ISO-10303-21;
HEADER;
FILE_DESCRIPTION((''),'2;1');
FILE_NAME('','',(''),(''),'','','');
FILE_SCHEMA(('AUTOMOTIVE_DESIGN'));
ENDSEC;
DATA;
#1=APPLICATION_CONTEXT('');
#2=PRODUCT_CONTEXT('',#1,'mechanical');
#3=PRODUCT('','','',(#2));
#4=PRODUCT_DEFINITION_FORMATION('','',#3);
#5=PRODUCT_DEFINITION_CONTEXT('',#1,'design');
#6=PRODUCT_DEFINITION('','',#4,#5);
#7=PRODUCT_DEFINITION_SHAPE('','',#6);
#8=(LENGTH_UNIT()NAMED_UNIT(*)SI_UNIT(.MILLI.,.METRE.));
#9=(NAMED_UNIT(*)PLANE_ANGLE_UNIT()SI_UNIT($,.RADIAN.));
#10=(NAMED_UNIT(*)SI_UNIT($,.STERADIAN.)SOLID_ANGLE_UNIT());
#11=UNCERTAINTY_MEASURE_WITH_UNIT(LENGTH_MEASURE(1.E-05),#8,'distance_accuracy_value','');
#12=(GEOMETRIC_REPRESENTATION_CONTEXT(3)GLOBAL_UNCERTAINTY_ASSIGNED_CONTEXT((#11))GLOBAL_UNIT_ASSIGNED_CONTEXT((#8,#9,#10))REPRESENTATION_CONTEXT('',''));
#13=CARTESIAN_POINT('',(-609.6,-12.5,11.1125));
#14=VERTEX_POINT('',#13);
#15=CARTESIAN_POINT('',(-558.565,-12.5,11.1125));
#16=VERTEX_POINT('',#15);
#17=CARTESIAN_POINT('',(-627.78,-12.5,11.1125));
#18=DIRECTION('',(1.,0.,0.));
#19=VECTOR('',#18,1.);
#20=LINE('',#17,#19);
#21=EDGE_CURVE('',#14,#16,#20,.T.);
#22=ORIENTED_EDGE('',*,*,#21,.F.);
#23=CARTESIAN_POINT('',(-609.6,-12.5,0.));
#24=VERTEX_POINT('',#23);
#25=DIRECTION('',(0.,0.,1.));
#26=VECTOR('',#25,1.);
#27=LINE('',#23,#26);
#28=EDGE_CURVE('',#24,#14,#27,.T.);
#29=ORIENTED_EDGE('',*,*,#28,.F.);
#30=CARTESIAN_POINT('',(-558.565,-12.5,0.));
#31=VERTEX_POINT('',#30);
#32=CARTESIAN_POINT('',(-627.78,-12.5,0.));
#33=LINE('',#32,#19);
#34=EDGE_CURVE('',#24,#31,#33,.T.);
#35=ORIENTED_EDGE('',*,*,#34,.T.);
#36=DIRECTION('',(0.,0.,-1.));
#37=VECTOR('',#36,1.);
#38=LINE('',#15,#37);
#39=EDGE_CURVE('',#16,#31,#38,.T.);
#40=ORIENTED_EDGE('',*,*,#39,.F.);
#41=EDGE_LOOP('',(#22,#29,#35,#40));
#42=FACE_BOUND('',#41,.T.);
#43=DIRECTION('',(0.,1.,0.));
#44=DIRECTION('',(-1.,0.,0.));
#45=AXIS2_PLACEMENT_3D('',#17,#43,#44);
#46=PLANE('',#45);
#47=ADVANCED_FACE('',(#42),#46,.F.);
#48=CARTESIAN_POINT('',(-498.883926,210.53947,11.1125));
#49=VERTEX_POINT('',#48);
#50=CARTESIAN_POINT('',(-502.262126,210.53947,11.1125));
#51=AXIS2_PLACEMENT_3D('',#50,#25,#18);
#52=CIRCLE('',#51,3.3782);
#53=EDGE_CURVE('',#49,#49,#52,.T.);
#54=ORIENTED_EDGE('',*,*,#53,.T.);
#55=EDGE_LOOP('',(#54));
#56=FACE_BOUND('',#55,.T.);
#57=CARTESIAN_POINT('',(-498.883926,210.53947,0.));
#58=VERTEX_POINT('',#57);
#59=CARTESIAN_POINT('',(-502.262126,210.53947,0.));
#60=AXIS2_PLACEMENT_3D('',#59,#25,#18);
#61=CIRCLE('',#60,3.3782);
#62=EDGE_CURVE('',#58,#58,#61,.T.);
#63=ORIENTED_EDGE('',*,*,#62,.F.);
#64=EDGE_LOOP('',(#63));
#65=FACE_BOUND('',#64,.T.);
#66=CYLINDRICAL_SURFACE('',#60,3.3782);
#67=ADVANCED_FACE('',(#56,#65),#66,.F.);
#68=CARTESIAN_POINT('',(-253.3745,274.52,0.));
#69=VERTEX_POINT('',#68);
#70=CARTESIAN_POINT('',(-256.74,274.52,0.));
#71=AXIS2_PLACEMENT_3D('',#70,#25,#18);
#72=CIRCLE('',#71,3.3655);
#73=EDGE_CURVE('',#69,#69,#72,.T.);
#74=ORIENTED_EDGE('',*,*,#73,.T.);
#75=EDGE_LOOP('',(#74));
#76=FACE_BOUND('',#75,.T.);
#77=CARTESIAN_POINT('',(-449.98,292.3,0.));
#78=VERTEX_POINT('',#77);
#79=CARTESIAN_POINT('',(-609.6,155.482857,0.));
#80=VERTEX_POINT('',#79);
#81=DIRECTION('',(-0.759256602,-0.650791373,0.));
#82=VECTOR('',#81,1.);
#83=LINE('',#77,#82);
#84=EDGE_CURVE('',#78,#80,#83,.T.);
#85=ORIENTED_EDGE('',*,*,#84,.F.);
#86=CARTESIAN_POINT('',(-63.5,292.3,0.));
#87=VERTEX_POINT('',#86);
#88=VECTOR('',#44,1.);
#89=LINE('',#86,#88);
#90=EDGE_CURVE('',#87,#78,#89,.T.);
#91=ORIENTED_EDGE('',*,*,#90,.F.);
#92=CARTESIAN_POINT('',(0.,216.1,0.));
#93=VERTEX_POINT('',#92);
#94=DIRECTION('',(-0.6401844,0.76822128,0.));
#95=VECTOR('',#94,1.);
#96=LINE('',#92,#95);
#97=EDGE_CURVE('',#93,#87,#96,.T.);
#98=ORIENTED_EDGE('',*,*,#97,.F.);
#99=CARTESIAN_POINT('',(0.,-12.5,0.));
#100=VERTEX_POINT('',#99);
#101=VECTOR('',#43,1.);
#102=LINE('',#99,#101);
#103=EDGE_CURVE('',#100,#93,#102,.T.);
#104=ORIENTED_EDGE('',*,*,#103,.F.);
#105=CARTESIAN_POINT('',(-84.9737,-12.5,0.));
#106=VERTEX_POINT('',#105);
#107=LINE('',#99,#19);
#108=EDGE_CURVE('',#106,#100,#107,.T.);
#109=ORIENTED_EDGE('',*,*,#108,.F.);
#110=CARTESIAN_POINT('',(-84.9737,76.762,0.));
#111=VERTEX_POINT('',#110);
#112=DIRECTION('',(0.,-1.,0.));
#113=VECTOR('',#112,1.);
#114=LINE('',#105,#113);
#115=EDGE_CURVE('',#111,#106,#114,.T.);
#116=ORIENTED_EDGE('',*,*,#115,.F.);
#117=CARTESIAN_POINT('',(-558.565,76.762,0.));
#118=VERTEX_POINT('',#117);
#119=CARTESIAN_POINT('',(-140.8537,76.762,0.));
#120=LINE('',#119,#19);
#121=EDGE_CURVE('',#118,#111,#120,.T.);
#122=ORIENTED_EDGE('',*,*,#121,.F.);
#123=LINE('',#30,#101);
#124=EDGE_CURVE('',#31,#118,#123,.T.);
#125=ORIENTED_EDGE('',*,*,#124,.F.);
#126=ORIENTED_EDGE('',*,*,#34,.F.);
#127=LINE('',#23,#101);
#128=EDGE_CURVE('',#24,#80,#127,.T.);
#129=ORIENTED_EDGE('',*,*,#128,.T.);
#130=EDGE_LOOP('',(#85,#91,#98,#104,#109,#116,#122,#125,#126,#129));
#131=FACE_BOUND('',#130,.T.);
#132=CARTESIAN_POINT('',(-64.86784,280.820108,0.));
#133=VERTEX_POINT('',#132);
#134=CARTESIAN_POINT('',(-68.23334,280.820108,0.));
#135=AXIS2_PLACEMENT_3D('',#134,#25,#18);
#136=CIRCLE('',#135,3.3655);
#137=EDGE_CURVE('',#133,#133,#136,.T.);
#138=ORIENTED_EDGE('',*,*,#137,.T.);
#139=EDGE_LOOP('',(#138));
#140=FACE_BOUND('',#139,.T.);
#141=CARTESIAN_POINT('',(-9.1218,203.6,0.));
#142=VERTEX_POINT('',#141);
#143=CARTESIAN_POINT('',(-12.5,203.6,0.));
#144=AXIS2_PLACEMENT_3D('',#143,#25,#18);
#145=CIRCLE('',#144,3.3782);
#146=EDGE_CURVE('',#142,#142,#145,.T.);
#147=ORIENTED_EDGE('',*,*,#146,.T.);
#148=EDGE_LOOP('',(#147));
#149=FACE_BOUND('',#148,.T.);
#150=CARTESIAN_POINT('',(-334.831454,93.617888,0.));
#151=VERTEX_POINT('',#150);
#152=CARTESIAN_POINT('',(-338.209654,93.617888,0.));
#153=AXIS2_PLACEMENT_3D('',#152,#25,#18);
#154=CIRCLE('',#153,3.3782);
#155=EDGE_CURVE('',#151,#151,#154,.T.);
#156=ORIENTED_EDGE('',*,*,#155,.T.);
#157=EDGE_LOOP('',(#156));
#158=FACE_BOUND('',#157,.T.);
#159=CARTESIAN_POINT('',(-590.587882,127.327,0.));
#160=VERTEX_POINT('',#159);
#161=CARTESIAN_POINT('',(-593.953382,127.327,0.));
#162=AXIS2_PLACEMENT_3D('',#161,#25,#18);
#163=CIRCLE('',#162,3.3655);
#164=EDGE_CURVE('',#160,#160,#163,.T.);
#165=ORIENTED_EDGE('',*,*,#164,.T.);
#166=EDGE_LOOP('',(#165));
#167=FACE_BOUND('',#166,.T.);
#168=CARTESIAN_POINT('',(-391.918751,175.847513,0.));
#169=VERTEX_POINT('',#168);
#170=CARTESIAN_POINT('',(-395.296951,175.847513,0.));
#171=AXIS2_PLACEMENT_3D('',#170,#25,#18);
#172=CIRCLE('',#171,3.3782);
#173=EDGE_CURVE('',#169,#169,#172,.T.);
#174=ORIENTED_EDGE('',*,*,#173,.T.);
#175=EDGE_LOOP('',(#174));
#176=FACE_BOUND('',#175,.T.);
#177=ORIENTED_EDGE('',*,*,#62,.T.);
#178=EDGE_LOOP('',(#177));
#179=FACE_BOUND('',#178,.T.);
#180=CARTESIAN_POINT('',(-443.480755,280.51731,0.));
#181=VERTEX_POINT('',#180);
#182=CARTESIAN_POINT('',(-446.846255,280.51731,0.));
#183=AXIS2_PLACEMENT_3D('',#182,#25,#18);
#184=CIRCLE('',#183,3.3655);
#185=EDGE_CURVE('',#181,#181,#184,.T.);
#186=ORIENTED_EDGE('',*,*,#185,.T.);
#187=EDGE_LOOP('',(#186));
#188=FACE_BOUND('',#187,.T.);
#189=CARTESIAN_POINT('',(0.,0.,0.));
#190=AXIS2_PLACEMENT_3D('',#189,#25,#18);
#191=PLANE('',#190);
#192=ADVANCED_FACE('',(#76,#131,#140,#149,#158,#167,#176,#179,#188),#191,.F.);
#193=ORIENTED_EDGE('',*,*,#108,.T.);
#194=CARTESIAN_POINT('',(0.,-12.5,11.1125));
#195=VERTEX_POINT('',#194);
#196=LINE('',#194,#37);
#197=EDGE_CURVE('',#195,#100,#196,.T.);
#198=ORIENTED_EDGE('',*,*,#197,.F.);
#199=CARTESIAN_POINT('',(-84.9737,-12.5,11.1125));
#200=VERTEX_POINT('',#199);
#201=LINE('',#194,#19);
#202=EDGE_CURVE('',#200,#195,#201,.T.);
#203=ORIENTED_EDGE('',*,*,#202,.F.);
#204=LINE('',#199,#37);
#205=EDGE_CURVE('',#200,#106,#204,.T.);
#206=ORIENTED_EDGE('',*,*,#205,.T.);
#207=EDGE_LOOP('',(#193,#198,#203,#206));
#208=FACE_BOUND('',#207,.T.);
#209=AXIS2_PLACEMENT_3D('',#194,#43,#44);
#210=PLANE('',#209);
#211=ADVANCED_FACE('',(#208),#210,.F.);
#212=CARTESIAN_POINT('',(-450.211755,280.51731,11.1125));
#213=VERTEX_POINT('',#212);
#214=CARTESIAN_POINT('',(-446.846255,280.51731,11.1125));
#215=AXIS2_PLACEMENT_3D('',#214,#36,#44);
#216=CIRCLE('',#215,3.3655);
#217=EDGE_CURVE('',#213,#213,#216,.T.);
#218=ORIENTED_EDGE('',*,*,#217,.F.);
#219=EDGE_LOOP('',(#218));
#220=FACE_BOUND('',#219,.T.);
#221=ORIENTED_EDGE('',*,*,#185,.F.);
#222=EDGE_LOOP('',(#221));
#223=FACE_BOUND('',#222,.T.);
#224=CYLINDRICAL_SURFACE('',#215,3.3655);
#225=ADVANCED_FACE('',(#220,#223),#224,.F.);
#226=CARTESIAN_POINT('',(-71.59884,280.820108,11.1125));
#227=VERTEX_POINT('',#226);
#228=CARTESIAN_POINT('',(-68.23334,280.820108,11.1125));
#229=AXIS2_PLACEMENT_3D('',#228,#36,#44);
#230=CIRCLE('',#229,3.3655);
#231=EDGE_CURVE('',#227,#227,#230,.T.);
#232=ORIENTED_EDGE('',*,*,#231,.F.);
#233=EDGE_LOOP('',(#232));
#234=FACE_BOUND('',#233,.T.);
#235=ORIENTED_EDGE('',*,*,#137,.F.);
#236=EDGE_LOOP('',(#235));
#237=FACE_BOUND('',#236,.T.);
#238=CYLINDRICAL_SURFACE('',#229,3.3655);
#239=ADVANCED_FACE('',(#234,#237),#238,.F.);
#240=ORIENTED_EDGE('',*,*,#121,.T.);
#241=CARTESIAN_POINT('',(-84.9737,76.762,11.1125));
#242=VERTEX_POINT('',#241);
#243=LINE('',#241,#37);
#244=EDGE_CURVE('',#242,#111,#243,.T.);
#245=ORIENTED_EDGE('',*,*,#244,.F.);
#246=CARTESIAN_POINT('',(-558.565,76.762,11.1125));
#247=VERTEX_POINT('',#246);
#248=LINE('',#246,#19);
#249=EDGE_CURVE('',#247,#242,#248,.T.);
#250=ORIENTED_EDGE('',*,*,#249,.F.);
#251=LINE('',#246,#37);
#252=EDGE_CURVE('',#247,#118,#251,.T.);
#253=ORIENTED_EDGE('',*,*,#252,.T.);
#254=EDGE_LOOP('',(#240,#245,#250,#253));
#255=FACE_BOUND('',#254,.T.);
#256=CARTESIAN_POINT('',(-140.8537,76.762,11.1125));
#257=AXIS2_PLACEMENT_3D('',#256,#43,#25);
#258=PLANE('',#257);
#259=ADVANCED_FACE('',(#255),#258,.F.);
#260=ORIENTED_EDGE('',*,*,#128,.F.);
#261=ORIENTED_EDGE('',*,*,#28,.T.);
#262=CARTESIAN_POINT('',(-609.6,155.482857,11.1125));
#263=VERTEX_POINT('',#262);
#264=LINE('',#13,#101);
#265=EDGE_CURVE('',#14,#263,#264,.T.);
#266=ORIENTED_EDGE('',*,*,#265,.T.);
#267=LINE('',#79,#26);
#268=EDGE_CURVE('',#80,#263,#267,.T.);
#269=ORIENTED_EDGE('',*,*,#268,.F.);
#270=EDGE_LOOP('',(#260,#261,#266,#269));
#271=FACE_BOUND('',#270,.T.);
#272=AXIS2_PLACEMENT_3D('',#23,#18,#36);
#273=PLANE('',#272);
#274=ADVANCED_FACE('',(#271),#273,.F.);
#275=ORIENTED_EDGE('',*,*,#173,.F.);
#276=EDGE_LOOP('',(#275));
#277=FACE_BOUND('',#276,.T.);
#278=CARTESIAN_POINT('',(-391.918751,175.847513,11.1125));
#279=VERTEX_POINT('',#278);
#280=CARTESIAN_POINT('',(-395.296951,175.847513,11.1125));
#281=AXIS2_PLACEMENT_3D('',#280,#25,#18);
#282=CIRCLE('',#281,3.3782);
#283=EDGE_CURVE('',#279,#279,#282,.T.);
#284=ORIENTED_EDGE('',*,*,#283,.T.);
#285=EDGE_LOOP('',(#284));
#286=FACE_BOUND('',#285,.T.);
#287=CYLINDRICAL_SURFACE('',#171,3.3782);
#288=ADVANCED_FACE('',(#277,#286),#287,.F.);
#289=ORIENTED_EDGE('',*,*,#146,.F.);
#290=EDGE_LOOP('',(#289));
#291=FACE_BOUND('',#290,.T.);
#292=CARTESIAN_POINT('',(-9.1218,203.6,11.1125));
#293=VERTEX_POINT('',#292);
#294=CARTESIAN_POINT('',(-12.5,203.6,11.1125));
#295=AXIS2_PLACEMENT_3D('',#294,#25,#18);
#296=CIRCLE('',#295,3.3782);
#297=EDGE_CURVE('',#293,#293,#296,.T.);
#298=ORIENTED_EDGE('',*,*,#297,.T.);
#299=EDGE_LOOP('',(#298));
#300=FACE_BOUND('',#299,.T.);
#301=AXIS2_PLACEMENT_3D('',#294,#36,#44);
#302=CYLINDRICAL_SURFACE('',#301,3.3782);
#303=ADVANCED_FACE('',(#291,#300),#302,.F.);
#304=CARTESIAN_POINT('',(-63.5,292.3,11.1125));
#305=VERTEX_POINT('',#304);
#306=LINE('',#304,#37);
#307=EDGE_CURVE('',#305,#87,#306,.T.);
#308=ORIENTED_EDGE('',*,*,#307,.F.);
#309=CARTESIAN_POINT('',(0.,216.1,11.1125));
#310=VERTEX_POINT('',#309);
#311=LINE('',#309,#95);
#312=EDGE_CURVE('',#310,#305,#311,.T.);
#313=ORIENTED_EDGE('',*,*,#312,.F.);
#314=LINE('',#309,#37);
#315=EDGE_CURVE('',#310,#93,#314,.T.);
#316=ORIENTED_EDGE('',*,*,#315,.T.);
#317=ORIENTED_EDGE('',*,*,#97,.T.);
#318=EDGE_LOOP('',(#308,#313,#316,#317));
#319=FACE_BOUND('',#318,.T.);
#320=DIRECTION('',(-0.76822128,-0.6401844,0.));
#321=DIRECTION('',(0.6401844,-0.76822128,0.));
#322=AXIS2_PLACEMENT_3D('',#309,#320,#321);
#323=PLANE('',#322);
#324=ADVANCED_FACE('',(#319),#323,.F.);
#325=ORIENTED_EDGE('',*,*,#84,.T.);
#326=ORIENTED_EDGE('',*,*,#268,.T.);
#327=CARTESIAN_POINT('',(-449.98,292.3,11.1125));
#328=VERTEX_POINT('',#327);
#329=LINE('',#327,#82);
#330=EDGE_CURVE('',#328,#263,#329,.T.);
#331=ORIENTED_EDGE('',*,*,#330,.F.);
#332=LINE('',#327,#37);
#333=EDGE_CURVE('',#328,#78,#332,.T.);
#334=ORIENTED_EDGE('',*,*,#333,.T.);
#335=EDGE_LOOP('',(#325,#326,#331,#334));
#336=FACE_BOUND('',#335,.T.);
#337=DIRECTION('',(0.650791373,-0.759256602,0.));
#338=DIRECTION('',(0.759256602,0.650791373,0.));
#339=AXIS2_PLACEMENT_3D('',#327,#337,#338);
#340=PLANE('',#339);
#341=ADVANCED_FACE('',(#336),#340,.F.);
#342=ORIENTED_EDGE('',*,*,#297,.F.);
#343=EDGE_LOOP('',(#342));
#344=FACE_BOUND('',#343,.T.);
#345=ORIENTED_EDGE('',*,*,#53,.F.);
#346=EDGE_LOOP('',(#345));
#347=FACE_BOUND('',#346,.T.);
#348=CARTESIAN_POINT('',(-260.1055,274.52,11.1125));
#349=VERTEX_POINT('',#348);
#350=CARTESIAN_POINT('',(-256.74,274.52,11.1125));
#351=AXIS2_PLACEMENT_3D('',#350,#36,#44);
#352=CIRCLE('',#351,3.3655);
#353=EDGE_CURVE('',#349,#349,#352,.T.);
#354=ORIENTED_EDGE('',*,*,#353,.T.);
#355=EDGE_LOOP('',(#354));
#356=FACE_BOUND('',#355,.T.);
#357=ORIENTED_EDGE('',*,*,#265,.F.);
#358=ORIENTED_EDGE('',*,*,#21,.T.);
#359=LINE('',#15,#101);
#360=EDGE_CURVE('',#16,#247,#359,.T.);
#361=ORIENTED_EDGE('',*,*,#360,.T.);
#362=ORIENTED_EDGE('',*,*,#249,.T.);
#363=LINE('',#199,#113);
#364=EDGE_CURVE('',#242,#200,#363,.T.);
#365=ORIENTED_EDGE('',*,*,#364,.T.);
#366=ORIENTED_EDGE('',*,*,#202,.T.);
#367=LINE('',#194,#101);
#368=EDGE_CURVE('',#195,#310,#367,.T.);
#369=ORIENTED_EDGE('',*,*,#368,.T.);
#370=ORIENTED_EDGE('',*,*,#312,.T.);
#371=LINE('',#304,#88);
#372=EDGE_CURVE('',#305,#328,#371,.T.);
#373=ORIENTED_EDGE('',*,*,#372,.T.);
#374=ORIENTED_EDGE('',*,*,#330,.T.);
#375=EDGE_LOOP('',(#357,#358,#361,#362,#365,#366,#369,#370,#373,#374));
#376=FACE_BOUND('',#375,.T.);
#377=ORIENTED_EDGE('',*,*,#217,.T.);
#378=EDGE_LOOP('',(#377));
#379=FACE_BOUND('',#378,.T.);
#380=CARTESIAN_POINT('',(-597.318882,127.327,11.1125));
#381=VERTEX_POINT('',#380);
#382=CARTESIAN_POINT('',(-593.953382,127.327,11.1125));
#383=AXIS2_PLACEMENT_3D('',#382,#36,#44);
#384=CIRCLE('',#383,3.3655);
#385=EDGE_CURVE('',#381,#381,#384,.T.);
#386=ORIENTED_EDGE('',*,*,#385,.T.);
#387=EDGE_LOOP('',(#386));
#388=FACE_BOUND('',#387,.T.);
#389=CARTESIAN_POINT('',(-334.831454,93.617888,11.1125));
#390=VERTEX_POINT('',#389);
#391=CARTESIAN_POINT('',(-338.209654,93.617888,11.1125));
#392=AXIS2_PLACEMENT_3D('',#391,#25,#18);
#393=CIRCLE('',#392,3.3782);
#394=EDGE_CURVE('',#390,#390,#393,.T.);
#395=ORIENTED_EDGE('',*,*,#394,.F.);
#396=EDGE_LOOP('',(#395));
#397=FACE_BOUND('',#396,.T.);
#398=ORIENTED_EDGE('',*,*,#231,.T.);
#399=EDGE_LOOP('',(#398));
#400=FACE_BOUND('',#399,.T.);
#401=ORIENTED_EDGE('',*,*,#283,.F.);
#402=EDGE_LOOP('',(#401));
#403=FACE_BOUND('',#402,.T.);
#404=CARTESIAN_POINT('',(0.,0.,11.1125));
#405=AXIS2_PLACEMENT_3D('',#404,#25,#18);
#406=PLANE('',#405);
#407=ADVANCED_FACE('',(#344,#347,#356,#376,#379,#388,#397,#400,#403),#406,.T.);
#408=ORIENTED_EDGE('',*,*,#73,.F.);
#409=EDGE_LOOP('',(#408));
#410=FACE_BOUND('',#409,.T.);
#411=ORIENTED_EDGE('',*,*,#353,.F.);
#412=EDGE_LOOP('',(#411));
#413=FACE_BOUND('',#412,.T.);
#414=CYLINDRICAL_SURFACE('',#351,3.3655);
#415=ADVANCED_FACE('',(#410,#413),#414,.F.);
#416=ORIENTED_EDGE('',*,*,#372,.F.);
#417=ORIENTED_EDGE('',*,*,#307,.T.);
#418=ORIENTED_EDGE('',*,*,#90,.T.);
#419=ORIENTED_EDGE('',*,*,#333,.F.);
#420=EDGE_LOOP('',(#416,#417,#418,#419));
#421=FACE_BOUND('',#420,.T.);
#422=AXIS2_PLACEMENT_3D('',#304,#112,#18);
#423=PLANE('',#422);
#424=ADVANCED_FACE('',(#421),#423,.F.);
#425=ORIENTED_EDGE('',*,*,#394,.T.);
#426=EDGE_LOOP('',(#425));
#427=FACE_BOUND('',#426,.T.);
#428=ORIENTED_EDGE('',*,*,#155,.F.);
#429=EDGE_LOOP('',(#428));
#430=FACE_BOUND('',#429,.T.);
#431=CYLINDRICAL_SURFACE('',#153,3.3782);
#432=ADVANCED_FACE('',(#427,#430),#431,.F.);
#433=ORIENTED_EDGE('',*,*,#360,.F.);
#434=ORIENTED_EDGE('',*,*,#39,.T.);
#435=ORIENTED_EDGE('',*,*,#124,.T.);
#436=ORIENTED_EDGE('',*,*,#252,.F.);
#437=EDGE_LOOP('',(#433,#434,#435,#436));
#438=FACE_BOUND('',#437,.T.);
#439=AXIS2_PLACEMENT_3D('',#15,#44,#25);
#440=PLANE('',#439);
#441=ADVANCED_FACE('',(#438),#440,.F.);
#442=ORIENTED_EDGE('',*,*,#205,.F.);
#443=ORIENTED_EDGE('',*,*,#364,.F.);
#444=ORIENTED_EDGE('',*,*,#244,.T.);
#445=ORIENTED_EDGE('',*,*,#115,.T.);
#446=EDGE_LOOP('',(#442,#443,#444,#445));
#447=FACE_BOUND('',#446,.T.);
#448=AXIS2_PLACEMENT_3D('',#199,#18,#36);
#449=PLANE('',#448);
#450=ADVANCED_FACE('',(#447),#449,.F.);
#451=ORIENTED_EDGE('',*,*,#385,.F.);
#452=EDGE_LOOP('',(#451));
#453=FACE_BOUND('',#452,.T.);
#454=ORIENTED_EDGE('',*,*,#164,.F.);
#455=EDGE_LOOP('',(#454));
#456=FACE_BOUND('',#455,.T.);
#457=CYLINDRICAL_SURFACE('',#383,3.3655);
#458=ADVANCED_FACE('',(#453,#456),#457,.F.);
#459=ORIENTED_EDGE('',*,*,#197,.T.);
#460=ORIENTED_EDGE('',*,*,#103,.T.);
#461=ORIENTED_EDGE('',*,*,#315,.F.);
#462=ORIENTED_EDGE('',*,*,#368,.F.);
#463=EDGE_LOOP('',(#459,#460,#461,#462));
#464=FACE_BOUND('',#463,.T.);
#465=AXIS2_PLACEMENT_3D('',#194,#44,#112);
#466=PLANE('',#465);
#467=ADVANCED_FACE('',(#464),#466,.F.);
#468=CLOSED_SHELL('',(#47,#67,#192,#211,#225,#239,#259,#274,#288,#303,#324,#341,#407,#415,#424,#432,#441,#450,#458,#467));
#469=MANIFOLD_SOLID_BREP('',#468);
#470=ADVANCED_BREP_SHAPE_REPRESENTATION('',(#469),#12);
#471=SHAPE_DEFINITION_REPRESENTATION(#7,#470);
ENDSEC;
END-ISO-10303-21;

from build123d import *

# Parameters (mm, degrees)
SKETCH1_R               = 3.3782
BOSS_EXTRUDE1_DEPTH     = 11.1125
SKETCH2_R               = 3.3655
CUT_EXTRUDE1_DEPTH      = 421.288113218
SKETCH3_R               = 3.3655
CUT_EXTRUDE2_DEPTH      = 421.177767573
SKETCH4_R               = 3.3655
CUT_EXTRUDE3_DEPTH      = 421.177767573
SKETCH5_R               = 3.3655
CUT_EXTRUDE4_DEPTH      = 421.177767573
CUT_EXTRUDE5_DEPTH      = 421.393634125
CUT_EXTRUDE5_DEPTH_BACK = 421.393634125
SKETCH6_R               = 3.3782
SKETCH7_W               = 18.18
SKETCH7_H               = 167.982857143
CUT_EXTRUDE6_DEPTH      = 693.582490434


with BuildPart() as part:
    # Sketch1 → Boss-Extrude1 (new body)
    with BuildSketch(Plane.XY):
        Polygon((-558.565, 76.762), (-458.235, 76.762), (-140.853700004, 76.762), (-84.973700004, 76.762), (-84.973700004, -12.5), (0, -12.5), (0, 216.1), (-63.5, 292.3), (-449.98, 292.3), (-627.78, 139.9), (-627.78, -12.5), (-558.565, -12.5), align=None)
        with Locations((-12.5, 203.6)):
            Circle(SKETCH1_R, mode=Mode.SUBTRACT)
    extrude(amount=BOSS_EXTRUDE1_DEPTH)

    # Sketch2 → Cut-Extrude1 (cut, through all)
    with BuildSketch(Plane(origin=(-305, 23.6125, -5.08), x_dir=(-1, 0, 0), z_dir=(0, 0, -1))):
        with Locations((288.9533823, 103.7145)):
            Circle(SKETCH2_R)
    extrude(amount=-CUT_EXTRUDE1_DEPTH, mode=Mode.SUBTRACT)

    # Sketch3 → Cut-Extrude2 (cut, through all)
    with BuildSketch(Plane(origin=(-305, 23.6125, -1.905), x_dir=(-1, 0, 0), z_dir=(0, 0, -1))):
        with Locations((141.846254523, 256.904809604)):
            Circle(SKETCH3_R)
    extrude(amount=-CUT_EXTRUDE2_DEPTH, mode=Mode.SUBTRACT)

    # Sketch4 → Cut-Extrude3 (cut, through all)
    with BuildSketch(Plane(origin=(-305, 23.6125, -1.905), x_dir=(-1, 0, 0), z_dir=(0, 0, -1))):
        with Locations((-48.26, 250.9075)):
            Circle(SKETCH4_R)
    extrude(amount=-CUT_EXTRUDE3_DEPTH, mode=Mode.SUBTRACT)

    # Sketch5 → Cut-Extrude4 (cut, through all)
    with BuildSketch(Plane(origin=(-305, 23.6125, -1.905), x_dir=(-1, 0, 0), z_dir=(0, 0, -1))):
        with Locations((-236.766660116, 257.207608298)):
            Circle(SKETCH5_R)
    extrude(amount=-CUT_EXTRUDE4_DEPTH, mode=Mode.SUBTRACT)

    # Sketch6 → Cut-Extrude5 (cut, two sides: drawn at the far end of the back side and taken through both)
    with BuildSketch(Plane(origin=(-305, 23.6125, 18.7325), x_dir=(1, 0, 0), z_dir=(0, 0, 1)).offset(-CUT_EXTRUDE5_DEPTH_BACK)):
        with Locations((-197.262125611, 186.926969688)):
            Circle(SKETCH6_R)
        with Locations((-33.209654284, 70.005387803)):
            Circle(SKETCH6_R)
        with Locations((-90.296950895, 152.235012548)):
            Circle(SKETCH6_R)
    extrude(amount=CUT_EXTRUDE5_DEPTH + CUT_EXTRUDE5_DEPTH_BACK, mode=Mode.SUBTRACT)

    # Sketch7 → Cut-Extrude6 (cut, through all)
    with BuildSketch(Plane.XY.offset(11.1125)):
        with Locations((-618.69, 71.491428572)):
            Rectangle(SKETCH7_W, SKETCH7_H)
    extrude(amount=-CUT_EXTRUDE6_DEPTH, mode=Mode.SUBTRACT)


solid = part.part
